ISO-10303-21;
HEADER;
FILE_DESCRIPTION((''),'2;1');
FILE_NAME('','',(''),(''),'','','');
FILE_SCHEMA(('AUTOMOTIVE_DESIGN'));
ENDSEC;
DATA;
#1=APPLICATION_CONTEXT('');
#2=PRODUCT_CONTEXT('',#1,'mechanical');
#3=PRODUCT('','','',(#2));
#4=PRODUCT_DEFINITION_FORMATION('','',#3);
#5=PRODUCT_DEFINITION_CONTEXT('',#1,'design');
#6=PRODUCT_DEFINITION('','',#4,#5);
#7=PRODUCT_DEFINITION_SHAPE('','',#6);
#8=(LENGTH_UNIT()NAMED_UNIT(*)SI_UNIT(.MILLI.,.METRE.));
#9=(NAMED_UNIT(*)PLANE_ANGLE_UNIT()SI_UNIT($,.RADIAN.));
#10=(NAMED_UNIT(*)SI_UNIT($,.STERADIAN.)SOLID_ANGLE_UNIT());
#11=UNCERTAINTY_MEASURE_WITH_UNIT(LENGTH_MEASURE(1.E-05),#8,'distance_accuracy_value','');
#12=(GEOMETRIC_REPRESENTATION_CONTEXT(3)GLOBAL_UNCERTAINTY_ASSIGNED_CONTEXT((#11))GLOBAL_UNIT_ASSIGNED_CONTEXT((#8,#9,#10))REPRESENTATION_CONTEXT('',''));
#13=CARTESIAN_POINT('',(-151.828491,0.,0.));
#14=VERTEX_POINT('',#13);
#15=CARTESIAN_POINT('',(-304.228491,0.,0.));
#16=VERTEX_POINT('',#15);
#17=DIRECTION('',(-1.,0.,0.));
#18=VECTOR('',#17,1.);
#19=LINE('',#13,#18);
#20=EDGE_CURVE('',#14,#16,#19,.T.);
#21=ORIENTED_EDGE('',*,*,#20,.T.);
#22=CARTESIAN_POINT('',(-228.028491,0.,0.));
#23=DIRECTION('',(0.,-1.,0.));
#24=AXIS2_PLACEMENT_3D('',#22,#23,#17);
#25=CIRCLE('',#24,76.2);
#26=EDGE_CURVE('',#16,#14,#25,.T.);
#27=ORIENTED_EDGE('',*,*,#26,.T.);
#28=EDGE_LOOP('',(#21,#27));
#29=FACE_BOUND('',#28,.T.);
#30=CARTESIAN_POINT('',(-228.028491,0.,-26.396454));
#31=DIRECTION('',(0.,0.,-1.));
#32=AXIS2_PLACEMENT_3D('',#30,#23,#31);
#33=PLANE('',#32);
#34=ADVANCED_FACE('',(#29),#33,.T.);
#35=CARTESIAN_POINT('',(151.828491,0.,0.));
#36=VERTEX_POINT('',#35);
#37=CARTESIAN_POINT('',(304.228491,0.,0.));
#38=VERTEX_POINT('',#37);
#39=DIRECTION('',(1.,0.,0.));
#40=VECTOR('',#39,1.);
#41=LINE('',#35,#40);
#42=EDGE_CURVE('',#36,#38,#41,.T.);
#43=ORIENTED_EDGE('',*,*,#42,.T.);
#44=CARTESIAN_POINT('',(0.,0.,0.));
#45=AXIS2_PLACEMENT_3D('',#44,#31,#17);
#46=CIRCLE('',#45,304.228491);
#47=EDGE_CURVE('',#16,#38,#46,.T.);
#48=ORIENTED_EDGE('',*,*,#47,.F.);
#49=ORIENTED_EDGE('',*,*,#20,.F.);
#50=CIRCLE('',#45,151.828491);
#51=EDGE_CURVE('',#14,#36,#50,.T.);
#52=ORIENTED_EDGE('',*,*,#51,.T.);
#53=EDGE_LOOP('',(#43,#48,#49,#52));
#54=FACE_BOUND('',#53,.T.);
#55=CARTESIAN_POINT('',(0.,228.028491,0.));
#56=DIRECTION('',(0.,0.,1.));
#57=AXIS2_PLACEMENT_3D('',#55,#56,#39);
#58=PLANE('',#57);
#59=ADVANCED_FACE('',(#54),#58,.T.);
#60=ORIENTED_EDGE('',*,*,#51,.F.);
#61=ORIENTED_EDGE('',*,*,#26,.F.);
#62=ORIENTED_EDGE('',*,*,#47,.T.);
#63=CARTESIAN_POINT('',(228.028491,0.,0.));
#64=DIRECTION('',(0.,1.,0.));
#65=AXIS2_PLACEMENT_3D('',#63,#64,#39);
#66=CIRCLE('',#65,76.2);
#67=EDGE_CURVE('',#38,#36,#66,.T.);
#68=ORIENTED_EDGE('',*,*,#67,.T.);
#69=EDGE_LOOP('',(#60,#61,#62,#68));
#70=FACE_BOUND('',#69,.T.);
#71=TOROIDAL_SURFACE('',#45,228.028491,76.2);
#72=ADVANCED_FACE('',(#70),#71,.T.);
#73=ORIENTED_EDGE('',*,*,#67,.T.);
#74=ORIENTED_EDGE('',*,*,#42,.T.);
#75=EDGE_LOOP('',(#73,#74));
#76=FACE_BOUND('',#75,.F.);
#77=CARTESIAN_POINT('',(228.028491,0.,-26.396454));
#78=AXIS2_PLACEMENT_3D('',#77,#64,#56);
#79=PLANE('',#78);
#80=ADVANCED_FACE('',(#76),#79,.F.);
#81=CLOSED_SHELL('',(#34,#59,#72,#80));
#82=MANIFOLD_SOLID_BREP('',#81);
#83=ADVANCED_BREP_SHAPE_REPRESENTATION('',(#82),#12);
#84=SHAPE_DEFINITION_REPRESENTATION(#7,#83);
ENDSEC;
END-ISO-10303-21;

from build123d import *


with BuildPart() as f2:
    # F2: sweep along a path in F0
    with BuildLine(Plane.XY) as f2_path:
        ThreePointArc((-228.6, 0), (0, 228.6), (228.6, 0))
    # F1 (on Front) → F2 (sweep)
    with BuildSketch(Plane.XZ):
        with BuildLine():
            Line((-151.828491, 0), (-304.228491, 0))
            ThreePointArc((-304.228491, 0), (-228.028491, -76.2), (-151.828491, 0))
        make_face()
    sweep(path=f2_path.line)


solid = f2.part
